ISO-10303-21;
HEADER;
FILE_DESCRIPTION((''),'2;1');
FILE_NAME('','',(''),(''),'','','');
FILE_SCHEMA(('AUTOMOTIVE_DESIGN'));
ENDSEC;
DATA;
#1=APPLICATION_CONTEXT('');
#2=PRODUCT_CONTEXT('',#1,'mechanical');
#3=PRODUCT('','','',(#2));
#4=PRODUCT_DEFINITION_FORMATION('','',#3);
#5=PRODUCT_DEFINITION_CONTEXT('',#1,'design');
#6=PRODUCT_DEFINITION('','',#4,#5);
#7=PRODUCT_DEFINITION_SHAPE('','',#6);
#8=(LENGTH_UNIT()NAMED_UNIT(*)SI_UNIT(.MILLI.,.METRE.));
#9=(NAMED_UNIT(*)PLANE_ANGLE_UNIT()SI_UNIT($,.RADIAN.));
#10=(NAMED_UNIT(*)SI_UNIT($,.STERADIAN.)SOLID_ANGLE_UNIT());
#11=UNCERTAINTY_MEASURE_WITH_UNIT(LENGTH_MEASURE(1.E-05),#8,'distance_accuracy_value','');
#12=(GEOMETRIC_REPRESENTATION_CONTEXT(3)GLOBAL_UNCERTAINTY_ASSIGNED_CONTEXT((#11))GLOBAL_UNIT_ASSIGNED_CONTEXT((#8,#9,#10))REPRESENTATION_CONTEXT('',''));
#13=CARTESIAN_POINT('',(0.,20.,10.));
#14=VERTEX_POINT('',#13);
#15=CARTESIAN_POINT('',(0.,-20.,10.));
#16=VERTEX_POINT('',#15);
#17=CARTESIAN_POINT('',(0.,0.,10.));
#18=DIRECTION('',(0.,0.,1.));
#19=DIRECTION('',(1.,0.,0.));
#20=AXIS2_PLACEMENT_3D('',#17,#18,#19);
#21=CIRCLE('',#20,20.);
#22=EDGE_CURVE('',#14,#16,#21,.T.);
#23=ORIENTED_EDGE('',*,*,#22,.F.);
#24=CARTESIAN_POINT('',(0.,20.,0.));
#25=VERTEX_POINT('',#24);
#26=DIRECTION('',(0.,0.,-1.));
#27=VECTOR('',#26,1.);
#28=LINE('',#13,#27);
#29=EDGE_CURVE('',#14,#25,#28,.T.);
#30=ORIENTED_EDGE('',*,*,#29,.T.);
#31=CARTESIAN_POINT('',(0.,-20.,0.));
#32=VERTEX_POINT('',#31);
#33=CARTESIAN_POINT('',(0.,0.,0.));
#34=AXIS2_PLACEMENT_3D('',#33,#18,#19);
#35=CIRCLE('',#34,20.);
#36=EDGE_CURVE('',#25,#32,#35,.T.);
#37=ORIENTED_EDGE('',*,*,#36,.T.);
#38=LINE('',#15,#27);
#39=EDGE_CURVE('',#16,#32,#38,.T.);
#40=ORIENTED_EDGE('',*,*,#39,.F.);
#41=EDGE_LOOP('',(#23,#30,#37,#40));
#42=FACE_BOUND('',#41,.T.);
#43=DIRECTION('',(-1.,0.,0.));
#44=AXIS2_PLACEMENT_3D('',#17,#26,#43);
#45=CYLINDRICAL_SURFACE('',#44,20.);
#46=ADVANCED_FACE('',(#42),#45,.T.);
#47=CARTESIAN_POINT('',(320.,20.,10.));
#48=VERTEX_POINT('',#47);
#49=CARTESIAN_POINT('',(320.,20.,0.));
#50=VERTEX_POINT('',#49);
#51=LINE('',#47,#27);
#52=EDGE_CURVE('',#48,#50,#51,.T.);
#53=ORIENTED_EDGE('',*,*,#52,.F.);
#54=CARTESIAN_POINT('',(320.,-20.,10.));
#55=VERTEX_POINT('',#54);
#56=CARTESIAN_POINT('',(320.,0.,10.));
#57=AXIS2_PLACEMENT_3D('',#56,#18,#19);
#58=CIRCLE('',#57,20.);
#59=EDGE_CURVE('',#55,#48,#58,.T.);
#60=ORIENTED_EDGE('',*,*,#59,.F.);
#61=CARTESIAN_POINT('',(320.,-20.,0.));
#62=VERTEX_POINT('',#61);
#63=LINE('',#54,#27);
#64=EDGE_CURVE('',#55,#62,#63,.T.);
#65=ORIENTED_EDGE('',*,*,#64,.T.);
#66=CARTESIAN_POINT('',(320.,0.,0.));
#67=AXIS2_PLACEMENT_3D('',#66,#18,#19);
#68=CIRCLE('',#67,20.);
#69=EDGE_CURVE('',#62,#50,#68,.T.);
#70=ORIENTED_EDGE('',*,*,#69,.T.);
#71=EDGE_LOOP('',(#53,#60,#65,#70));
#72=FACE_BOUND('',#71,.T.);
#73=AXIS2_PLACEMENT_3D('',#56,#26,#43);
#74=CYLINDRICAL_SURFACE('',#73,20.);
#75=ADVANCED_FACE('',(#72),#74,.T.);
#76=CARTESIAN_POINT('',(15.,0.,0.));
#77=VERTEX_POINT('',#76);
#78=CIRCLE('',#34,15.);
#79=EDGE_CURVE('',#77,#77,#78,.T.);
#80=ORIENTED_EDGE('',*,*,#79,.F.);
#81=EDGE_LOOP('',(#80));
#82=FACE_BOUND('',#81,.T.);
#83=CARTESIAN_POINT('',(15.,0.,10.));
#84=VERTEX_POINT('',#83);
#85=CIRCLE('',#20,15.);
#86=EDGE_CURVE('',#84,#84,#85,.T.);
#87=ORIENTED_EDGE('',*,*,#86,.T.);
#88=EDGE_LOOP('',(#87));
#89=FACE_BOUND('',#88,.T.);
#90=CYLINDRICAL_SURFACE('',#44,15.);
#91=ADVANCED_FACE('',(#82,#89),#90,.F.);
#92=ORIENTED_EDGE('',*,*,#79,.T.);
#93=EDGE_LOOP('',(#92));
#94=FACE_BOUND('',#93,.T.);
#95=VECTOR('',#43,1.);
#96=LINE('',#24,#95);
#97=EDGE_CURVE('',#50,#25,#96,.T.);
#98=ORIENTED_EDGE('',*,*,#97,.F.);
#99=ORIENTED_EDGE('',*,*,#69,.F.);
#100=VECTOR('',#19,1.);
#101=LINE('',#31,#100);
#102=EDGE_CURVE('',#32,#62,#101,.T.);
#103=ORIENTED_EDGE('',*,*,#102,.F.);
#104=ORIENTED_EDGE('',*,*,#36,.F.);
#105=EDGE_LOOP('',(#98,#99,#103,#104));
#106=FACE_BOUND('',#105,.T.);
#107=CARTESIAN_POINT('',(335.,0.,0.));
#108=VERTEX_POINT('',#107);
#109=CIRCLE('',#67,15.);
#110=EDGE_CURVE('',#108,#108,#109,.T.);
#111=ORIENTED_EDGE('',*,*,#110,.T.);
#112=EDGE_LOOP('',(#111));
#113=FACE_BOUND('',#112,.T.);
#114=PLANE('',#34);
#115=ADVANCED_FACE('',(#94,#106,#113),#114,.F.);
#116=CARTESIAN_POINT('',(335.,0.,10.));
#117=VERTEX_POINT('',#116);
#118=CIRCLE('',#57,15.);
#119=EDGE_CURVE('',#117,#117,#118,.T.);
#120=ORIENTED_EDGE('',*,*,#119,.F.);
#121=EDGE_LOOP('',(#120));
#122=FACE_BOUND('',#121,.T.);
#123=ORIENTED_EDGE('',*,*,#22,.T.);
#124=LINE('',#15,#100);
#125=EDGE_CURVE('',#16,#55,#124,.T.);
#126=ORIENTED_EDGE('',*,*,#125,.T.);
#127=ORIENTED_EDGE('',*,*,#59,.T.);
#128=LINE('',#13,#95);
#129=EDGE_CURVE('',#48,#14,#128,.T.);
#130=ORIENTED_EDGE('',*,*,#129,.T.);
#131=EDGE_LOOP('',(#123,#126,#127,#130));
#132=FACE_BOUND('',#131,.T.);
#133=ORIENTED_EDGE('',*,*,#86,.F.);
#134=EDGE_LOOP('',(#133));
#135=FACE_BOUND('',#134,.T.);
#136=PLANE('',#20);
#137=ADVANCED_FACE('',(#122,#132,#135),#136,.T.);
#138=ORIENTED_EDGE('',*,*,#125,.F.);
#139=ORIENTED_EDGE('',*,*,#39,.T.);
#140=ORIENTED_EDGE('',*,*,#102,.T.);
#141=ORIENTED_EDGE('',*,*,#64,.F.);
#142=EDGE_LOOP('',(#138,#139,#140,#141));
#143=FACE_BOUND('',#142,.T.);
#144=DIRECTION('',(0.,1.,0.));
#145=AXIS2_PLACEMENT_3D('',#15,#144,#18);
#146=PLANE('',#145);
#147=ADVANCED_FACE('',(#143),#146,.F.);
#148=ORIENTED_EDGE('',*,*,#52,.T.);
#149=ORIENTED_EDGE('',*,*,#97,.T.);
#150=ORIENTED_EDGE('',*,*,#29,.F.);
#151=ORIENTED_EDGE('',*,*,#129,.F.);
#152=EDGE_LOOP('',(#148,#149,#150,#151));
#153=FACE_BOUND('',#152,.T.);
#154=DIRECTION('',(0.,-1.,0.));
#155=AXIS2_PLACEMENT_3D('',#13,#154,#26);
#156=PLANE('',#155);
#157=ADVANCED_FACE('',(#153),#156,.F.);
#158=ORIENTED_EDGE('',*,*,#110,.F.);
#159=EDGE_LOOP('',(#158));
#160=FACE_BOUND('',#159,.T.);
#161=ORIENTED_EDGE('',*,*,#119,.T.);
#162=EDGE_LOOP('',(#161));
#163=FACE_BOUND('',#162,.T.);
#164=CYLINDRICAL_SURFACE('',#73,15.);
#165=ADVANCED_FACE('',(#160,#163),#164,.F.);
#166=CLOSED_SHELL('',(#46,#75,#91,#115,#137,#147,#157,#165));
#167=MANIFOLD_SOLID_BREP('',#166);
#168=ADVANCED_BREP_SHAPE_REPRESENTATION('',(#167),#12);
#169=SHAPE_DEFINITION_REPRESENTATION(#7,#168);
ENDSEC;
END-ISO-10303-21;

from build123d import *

# Parameters (mm, degrees)
SKETCH_1_R      = 15
EXTRUDE_1_DEPTH = 10


with BuildPart() as part:
    # Эскиз1 → Бобышка-Вытянуть1 (new body)
    with BuildSketch(Plane.XY):
        with BuildLine():
            Line((0, 20), (320, 20))
            ThreePointArc((320, 20), (340, 0), (320, -20))
            Line((320, -20), (0, -20))
            ThreePointArc((0, -20), (-20, 0), (0, 20))
        make_face()
        Circle(SKETCH_1_R, mode=Mode.SUBTRACT)
        with Locations((320, 0)):
            Circle(SKETCH_1_R, mode=Mode.SUBTRACT)
    extrude(amount=EXTRUDE_1_DEPTH)


solid = part.part
